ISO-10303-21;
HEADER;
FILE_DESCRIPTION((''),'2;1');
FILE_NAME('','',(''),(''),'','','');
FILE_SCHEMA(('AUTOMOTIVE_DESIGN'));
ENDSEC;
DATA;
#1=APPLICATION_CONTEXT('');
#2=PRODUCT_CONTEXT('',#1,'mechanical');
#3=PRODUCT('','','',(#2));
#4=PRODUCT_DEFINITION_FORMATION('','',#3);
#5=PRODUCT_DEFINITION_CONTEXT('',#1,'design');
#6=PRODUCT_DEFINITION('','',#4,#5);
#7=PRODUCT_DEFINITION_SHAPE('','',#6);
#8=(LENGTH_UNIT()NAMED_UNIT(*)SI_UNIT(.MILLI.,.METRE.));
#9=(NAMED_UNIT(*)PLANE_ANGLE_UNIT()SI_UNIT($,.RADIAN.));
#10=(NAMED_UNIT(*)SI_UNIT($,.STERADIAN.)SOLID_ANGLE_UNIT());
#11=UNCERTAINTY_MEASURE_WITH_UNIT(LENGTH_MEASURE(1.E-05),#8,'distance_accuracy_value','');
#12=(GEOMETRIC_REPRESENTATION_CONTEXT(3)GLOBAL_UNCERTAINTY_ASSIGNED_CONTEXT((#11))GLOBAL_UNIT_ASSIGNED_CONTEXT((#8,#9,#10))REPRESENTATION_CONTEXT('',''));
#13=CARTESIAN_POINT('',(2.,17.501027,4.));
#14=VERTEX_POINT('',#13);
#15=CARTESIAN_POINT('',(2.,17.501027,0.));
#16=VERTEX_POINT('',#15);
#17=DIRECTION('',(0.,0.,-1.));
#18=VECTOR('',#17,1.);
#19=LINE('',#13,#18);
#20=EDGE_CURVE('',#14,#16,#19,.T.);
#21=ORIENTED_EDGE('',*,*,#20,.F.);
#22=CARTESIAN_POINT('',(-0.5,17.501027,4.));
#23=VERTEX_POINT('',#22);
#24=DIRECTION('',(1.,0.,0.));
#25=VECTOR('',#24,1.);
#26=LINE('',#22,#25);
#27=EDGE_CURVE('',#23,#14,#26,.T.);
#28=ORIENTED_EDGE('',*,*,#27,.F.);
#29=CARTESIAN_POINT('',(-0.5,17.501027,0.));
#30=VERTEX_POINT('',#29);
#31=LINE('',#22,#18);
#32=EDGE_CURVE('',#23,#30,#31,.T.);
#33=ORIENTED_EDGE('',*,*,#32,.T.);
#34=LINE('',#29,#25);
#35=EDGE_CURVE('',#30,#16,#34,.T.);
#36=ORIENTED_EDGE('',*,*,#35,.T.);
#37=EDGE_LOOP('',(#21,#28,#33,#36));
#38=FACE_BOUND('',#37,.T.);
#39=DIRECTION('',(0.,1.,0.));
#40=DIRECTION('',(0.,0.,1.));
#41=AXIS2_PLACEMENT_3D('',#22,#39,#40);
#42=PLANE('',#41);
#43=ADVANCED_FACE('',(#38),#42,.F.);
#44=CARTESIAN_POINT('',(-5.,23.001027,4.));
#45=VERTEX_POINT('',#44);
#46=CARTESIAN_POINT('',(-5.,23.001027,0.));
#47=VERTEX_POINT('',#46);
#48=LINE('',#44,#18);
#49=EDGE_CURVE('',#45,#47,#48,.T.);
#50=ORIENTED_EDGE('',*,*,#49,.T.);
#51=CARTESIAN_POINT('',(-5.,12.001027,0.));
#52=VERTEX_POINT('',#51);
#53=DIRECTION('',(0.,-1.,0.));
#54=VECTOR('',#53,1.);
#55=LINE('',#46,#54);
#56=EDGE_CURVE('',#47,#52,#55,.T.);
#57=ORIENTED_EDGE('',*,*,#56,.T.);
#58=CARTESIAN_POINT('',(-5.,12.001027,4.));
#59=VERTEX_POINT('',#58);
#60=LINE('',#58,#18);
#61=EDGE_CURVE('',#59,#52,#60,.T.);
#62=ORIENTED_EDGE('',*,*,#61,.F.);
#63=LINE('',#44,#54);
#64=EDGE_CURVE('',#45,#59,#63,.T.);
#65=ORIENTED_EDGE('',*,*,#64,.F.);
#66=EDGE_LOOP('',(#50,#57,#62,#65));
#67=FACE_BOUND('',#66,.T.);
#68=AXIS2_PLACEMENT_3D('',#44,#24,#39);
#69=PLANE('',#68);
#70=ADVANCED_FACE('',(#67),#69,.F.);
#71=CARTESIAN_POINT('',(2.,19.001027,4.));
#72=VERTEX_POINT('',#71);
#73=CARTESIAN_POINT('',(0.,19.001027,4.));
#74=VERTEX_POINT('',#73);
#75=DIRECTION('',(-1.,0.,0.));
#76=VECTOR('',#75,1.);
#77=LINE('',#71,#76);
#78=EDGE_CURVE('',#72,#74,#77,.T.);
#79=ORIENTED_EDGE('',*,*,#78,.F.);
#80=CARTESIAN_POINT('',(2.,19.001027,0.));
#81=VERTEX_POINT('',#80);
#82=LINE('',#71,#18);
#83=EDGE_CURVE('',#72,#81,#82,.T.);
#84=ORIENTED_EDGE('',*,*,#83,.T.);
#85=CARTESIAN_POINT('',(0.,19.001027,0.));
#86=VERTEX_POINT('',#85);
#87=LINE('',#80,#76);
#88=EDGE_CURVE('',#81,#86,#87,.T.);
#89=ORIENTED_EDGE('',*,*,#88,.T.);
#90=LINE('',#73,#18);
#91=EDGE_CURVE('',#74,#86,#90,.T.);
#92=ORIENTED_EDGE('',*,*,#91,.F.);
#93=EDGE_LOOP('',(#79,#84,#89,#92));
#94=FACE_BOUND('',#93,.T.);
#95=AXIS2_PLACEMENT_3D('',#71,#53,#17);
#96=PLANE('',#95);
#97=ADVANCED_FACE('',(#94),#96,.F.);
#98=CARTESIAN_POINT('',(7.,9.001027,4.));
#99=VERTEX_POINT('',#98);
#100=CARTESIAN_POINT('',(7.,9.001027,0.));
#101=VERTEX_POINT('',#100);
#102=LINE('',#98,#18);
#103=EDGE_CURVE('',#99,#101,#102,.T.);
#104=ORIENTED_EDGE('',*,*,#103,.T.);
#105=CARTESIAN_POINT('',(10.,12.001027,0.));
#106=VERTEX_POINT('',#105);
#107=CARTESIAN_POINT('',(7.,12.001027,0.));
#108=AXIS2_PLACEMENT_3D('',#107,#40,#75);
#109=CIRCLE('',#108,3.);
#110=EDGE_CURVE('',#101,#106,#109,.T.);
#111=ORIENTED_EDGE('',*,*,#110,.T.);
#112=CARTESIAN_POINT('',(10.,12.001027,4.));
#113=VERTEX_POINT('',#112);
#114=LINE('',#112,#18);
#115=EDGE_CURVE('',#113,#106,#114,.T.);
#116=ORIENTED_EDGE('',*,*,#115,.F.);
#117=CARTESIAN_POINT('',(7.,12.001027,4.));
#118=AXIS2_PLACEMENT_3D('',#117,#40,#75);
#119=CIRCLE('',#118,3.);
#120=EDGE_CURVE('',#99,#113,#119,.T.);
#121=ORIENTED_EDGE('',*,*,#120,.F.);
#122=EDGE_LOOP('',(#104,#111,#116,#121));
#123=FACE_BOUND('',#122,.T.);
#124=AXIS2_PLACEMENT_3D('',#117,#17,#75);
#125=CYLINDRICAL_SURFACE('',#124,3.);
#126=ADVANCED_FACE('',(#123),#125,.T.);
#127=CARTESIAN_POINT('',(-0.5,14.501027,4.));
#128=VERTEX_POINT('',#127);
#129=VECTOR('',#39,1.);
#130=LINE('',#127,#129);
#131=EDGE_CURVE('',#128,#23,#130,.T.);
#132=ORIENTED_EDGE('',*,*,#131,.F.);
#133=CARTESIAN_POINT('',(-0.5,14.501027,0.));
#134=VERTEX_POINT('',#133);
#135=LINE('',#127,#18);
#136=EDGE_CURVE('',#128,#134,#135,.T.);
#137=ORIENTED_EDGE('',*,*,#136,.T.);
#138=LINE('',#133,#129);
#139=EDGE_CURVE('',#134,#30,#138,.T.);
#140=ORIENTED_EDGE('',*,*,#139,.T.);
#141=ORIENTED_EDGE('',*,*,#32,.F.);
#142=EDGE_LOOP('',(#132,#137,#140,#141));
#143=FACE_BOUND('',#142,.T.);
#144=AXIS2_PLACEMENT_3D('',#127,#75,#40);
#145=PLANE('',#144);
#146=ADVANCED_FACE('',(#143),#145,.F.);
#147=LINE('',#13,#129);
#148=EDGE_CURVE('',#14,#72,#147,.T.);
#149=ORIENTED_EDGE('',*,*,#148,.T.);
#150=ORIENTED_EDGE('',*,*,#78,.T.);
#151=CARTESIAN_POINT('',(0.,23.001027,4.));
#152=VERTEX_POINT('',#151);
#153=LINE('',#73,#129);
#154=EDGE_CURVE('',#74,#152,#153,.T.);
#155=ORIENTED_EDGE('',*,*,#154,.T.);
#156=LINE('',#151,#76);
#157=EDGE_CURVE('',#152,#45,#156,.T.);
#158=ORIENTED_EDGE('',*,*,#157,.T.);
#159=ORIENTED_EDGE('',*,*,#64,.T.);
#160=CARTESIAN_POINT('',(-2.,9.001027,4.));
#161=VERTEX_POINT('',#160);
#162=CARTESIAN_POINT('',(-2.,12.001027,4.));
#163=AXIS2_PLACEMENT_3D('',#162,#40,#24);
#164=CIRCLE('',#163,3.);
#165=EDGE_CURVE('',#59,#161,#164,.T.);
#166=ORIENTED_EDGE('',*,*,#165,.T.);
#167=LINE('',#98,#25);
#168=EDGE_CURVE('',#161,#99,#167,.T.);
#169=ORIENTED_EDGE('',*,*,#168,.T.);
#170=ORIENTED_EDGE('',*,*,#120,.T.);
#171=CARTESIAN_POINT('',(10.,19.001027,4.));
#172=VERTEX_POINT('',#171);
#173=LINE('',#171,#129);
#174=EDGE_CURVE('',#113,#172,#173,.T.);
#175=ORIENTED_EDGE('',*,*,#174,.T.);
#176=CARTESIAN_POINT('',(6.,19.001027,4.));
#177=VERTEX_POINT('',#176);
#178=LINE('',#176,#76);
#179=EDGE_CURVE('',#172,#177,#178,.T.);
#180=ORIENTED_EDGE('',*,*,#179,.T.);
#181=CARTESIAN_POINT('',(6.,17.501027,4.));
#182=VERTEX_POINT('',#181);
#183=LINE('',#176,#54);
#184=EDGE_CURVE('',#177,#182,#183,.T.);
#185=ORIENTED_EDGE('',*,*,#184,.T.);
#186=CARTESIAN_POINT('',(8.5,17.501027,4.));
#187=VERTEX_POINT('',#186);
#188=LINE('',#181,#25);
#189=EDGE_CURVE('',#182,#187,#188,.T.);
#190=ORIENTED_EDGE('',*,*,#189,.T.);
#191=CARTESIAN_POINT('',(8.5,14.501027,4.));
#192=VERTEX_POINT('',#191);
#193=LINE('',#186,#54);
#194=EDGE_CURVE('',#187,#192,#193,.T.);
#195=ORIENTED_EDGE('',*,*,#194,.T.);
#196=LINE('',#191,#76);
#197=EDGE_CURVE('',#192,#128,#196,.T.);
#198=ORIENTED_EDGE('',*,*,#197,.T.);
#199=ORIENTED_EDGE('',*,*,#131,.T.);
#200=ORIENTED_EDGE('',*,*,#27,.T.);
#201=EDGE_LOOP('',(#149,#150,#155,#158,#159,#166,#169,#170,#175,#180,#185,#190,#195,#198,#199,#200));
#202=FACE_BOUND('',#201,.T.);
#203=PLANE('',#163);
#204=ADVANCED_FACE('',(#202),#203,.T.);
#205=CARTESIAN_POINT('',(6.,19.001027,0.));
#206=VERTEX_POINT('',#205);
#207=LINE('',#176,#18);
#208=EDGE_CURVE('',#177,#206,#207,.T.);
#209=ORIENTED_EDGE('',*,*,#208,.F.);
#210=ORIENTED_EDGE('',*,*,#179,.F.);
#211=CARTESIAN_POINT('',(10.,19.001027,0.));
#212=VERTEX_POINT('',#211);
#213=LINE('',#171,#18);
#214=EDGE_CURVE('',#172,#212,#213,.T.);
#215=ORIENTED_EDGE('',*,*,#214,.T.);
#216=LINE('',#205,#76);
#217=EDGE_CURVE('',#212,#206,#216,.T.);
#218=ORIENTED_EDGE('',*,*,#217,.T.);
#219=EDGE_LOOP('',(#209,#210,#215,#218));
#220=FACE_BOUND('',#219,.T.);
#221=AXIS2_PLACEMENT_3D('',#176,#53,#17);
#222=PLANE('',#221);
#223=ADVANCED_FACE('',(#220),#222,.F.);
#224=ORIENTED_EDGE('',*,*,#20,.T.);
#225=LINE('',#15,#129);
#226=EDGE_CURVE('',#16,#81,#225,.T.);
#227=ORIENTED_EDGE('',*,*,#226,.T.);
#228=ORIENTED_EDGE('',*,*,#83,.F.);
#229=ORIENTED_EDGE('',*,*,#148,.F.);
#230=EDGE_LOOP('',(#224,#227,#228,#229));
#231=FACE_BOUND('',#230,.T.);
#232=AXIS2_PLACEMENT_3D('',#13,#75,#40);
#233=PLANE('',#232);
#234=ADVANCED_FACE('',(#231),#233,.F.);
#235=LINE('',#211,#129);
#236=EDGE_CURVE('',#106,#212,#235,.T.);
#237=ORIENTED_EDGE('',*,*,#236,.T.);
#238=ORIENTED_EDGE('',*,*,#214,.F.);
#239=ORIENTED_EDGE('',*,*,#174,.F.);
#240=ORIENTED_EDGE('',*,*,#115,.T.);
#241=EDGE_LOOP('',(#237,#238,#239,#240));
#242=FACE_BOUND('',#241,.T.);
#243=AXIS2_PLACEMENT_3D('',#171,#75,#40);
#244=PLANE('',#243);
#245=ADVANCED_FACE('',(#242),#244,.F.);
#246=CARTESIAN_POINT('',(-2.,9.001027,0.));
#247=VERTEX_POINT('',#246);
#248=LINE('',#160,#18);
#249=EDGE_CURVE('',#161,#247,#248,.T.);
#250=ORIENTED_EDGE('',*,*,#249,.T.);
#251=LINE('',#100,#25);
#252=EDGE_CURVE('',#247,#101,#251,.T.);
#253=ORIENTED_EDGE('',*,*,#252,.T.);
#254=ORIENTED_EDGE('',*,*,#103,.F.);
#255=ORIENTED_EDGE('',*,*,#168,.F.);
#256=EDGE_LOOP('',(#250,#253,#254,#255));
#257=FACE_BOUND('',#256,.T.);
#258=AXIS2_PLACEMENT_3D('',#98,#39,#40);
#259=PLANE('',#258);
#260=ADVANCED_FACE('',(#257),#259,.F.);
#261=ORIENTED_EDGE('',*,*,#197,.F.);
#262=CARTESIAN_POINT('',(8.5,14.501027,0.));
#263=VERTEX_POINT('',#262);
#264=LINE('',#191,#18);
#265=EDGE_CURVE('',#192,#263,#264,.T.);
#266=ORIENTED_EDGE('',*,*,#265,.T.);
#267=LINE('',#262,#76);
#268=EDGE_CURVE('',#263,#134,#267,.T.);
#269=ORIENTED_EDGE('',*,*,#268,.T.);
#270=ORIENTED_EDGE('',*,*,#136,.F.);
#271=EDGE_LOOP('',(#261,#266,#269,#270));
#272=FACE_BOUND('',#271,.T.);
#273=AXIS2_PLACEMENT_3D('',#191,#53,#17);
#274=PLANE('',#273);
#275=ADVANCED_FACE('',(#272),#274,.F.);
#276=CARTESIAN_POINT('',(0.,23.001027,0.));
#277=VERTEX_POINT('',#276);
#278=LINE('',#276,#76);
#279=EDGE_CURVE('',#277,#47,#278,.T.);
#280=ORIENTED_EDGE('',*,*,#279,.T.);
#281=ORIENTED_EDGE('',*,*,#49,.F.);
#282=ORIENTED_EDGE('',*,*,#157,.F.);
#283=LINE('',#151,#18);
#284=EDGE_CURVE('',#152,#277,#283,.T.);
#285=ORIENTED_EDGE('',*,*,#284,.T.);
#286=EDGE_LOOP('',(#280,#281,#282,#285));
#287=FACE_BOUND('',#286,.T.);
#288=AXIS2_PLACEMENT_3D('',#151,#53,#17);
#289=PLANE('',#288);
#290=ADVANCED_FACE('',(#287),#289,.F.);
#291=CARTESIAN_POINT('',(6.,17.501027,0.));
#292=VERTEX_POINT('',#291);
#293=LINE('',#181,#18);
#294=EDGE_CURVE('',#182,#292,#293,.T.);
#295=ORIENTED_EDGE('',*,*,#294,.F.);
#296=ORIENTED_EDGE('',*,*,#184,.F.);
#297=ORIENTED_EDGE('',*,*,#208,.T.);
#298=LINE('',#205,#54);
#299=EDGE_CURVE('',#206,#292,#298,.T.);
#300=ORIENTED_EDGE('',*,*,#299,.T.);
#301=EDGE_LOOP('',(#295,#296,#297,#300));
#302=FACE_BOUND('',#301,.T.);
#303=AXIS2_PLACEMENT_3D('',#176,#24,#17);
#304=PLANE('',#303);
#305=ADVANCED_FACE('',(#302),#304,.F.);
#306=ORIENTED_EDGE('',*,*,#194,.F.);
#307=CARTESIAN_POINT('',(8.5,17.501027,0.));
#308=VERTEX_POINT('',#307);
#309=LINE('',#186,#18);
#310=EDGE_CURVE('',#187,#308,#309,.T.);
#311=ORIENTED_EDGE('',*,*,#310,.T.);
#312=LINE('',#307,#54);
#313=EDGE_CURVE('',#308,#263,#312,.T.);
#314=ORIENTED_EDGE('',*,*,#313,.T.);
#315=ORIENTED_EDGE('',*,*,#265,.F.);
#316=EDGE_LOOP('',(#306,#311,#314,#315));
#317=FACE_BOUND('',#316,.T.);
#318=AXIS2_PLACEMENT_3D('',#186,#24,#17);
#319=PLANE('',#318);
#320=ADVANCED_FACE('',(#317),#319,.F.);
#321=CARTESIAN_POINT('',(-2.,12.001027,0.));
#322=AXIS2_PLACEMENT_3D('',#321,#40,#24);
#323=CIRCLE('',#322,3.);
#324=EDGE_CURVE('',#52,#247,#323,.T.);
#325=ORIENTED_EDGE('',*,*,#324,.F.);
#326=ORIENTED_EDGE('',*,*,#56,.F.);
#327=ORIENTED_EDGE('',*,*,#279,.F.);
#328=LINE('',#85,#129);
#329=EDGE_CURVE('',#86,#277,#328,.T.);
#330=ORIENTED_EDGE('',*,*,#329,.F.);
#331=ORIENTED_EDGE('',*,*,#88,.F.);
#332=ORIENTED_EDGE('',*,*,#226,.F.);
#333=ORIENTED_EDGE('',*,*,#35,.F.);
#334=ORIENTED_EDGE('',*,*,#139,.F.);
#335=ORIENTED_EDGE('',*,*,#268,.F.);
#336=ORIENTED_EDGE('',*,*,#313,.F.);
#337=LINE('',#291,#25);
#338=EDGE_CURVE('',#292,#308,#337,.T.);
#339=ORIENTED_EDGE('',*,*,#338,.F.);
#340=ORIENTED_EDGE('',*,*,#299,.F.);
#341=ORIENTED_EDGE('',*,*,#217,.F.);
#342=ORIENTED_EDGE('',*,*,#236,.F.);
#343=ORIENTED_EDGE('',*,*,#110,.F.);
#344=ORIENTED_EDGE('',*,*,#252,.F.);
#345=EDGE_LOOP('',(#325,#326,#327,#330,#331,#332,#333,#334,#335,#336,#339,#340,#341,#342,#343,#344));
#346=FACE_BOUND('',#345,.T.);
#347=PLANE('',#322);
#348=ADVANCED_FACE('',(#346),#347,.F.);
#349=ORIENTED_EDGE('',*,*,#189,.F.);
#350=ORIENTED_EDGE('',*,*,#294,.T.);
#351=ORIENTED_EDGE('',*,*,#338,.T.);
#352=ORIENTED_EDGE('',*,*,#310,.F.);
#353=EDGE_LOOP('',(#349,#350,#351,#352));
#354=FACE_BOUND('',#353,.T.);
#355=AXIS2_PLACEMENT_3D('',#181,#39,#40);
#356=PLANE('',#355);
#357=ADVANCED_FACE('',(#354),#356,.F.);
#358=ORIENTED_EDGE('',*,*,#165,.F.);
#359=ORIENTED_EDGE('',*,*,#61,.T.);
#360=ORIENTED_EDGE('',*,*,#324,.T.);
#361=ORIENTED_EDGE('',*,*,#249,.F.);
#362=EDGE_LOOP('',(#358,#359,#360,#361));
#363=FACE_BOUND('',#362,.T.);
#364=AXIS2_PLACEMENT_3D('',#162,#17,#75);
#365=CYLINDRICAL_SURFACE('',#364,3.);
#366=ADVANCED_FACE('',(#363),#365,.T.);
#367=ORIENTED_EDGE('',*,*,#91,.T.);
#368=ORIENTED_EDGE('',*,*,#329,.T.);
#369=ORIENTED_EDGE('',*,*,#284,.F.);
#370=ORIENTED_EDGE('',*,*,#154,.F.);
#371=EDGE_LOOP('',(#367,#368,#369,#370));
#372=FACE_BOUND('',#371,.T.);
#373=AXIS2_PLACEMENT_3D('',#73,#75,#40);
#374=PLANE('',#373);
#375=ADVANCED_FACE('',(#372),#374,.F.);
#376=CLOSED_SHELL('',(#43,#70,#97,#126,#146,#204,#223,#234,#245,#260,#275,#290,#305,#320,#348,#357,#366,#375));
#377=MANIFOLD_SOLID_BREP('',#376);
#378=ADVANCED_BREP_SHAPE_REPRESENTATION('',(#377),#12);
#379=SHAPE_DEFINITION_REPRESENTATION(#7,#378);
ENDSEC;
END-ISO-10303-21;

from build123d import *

# Parameters (mm, degrees)
SALIENTE_EXTRUIR1_DEPTH = 4


with BuildPart() as part:
    # Croquis1 → Saliente-Extruir1 (new body)
    with BuildSketch(Plane.XY):
        with BuildLine():
            Line((0, 23.001027223), (-5, 23.001027223))
            Line((-5, 23.001027223), (-5, 12.001027223))
            ThreePointArc((-5, 12.001027223), (-4.121320344, 9.87970688), (-2, 9.001027223))
            Line((-2, 9.001027223), (7, 9.001027223))
            ThreePointArc((7, 9.001027223), (9.121320344, 9.87970688), (10, 12.001027223))
            Line((10, 12.001027223), (10, 19.001027223))
            Line((10, 19.001027223), (6, 19.001027223))
            Line((6, 19.001027223), (6, 17.501027223))
            Line((6, 17.501027223), (8.5, 17.501027223))
            Line((8.5, 17.501027223), (8.5, 14.501027223))
            Line((8.5, 14.501027223), (-0.5, 14.501027223))
            Line((-0.5, 14.501027223), (-0.5, 17.501027223))
            Line((-0.5, 17.501027223), (2, 17.501027223))
            Line((2, 17.501027223), (2, 19.001027223))
            Line((2, 19.001027223), (0, 19.001027223))
            Line((0, 19.001027223), (0, 23.001027223))
        make_face()
    extrude(amount=SALIENTE_EXTRUIR1_DEPTH)


solid = part.part
